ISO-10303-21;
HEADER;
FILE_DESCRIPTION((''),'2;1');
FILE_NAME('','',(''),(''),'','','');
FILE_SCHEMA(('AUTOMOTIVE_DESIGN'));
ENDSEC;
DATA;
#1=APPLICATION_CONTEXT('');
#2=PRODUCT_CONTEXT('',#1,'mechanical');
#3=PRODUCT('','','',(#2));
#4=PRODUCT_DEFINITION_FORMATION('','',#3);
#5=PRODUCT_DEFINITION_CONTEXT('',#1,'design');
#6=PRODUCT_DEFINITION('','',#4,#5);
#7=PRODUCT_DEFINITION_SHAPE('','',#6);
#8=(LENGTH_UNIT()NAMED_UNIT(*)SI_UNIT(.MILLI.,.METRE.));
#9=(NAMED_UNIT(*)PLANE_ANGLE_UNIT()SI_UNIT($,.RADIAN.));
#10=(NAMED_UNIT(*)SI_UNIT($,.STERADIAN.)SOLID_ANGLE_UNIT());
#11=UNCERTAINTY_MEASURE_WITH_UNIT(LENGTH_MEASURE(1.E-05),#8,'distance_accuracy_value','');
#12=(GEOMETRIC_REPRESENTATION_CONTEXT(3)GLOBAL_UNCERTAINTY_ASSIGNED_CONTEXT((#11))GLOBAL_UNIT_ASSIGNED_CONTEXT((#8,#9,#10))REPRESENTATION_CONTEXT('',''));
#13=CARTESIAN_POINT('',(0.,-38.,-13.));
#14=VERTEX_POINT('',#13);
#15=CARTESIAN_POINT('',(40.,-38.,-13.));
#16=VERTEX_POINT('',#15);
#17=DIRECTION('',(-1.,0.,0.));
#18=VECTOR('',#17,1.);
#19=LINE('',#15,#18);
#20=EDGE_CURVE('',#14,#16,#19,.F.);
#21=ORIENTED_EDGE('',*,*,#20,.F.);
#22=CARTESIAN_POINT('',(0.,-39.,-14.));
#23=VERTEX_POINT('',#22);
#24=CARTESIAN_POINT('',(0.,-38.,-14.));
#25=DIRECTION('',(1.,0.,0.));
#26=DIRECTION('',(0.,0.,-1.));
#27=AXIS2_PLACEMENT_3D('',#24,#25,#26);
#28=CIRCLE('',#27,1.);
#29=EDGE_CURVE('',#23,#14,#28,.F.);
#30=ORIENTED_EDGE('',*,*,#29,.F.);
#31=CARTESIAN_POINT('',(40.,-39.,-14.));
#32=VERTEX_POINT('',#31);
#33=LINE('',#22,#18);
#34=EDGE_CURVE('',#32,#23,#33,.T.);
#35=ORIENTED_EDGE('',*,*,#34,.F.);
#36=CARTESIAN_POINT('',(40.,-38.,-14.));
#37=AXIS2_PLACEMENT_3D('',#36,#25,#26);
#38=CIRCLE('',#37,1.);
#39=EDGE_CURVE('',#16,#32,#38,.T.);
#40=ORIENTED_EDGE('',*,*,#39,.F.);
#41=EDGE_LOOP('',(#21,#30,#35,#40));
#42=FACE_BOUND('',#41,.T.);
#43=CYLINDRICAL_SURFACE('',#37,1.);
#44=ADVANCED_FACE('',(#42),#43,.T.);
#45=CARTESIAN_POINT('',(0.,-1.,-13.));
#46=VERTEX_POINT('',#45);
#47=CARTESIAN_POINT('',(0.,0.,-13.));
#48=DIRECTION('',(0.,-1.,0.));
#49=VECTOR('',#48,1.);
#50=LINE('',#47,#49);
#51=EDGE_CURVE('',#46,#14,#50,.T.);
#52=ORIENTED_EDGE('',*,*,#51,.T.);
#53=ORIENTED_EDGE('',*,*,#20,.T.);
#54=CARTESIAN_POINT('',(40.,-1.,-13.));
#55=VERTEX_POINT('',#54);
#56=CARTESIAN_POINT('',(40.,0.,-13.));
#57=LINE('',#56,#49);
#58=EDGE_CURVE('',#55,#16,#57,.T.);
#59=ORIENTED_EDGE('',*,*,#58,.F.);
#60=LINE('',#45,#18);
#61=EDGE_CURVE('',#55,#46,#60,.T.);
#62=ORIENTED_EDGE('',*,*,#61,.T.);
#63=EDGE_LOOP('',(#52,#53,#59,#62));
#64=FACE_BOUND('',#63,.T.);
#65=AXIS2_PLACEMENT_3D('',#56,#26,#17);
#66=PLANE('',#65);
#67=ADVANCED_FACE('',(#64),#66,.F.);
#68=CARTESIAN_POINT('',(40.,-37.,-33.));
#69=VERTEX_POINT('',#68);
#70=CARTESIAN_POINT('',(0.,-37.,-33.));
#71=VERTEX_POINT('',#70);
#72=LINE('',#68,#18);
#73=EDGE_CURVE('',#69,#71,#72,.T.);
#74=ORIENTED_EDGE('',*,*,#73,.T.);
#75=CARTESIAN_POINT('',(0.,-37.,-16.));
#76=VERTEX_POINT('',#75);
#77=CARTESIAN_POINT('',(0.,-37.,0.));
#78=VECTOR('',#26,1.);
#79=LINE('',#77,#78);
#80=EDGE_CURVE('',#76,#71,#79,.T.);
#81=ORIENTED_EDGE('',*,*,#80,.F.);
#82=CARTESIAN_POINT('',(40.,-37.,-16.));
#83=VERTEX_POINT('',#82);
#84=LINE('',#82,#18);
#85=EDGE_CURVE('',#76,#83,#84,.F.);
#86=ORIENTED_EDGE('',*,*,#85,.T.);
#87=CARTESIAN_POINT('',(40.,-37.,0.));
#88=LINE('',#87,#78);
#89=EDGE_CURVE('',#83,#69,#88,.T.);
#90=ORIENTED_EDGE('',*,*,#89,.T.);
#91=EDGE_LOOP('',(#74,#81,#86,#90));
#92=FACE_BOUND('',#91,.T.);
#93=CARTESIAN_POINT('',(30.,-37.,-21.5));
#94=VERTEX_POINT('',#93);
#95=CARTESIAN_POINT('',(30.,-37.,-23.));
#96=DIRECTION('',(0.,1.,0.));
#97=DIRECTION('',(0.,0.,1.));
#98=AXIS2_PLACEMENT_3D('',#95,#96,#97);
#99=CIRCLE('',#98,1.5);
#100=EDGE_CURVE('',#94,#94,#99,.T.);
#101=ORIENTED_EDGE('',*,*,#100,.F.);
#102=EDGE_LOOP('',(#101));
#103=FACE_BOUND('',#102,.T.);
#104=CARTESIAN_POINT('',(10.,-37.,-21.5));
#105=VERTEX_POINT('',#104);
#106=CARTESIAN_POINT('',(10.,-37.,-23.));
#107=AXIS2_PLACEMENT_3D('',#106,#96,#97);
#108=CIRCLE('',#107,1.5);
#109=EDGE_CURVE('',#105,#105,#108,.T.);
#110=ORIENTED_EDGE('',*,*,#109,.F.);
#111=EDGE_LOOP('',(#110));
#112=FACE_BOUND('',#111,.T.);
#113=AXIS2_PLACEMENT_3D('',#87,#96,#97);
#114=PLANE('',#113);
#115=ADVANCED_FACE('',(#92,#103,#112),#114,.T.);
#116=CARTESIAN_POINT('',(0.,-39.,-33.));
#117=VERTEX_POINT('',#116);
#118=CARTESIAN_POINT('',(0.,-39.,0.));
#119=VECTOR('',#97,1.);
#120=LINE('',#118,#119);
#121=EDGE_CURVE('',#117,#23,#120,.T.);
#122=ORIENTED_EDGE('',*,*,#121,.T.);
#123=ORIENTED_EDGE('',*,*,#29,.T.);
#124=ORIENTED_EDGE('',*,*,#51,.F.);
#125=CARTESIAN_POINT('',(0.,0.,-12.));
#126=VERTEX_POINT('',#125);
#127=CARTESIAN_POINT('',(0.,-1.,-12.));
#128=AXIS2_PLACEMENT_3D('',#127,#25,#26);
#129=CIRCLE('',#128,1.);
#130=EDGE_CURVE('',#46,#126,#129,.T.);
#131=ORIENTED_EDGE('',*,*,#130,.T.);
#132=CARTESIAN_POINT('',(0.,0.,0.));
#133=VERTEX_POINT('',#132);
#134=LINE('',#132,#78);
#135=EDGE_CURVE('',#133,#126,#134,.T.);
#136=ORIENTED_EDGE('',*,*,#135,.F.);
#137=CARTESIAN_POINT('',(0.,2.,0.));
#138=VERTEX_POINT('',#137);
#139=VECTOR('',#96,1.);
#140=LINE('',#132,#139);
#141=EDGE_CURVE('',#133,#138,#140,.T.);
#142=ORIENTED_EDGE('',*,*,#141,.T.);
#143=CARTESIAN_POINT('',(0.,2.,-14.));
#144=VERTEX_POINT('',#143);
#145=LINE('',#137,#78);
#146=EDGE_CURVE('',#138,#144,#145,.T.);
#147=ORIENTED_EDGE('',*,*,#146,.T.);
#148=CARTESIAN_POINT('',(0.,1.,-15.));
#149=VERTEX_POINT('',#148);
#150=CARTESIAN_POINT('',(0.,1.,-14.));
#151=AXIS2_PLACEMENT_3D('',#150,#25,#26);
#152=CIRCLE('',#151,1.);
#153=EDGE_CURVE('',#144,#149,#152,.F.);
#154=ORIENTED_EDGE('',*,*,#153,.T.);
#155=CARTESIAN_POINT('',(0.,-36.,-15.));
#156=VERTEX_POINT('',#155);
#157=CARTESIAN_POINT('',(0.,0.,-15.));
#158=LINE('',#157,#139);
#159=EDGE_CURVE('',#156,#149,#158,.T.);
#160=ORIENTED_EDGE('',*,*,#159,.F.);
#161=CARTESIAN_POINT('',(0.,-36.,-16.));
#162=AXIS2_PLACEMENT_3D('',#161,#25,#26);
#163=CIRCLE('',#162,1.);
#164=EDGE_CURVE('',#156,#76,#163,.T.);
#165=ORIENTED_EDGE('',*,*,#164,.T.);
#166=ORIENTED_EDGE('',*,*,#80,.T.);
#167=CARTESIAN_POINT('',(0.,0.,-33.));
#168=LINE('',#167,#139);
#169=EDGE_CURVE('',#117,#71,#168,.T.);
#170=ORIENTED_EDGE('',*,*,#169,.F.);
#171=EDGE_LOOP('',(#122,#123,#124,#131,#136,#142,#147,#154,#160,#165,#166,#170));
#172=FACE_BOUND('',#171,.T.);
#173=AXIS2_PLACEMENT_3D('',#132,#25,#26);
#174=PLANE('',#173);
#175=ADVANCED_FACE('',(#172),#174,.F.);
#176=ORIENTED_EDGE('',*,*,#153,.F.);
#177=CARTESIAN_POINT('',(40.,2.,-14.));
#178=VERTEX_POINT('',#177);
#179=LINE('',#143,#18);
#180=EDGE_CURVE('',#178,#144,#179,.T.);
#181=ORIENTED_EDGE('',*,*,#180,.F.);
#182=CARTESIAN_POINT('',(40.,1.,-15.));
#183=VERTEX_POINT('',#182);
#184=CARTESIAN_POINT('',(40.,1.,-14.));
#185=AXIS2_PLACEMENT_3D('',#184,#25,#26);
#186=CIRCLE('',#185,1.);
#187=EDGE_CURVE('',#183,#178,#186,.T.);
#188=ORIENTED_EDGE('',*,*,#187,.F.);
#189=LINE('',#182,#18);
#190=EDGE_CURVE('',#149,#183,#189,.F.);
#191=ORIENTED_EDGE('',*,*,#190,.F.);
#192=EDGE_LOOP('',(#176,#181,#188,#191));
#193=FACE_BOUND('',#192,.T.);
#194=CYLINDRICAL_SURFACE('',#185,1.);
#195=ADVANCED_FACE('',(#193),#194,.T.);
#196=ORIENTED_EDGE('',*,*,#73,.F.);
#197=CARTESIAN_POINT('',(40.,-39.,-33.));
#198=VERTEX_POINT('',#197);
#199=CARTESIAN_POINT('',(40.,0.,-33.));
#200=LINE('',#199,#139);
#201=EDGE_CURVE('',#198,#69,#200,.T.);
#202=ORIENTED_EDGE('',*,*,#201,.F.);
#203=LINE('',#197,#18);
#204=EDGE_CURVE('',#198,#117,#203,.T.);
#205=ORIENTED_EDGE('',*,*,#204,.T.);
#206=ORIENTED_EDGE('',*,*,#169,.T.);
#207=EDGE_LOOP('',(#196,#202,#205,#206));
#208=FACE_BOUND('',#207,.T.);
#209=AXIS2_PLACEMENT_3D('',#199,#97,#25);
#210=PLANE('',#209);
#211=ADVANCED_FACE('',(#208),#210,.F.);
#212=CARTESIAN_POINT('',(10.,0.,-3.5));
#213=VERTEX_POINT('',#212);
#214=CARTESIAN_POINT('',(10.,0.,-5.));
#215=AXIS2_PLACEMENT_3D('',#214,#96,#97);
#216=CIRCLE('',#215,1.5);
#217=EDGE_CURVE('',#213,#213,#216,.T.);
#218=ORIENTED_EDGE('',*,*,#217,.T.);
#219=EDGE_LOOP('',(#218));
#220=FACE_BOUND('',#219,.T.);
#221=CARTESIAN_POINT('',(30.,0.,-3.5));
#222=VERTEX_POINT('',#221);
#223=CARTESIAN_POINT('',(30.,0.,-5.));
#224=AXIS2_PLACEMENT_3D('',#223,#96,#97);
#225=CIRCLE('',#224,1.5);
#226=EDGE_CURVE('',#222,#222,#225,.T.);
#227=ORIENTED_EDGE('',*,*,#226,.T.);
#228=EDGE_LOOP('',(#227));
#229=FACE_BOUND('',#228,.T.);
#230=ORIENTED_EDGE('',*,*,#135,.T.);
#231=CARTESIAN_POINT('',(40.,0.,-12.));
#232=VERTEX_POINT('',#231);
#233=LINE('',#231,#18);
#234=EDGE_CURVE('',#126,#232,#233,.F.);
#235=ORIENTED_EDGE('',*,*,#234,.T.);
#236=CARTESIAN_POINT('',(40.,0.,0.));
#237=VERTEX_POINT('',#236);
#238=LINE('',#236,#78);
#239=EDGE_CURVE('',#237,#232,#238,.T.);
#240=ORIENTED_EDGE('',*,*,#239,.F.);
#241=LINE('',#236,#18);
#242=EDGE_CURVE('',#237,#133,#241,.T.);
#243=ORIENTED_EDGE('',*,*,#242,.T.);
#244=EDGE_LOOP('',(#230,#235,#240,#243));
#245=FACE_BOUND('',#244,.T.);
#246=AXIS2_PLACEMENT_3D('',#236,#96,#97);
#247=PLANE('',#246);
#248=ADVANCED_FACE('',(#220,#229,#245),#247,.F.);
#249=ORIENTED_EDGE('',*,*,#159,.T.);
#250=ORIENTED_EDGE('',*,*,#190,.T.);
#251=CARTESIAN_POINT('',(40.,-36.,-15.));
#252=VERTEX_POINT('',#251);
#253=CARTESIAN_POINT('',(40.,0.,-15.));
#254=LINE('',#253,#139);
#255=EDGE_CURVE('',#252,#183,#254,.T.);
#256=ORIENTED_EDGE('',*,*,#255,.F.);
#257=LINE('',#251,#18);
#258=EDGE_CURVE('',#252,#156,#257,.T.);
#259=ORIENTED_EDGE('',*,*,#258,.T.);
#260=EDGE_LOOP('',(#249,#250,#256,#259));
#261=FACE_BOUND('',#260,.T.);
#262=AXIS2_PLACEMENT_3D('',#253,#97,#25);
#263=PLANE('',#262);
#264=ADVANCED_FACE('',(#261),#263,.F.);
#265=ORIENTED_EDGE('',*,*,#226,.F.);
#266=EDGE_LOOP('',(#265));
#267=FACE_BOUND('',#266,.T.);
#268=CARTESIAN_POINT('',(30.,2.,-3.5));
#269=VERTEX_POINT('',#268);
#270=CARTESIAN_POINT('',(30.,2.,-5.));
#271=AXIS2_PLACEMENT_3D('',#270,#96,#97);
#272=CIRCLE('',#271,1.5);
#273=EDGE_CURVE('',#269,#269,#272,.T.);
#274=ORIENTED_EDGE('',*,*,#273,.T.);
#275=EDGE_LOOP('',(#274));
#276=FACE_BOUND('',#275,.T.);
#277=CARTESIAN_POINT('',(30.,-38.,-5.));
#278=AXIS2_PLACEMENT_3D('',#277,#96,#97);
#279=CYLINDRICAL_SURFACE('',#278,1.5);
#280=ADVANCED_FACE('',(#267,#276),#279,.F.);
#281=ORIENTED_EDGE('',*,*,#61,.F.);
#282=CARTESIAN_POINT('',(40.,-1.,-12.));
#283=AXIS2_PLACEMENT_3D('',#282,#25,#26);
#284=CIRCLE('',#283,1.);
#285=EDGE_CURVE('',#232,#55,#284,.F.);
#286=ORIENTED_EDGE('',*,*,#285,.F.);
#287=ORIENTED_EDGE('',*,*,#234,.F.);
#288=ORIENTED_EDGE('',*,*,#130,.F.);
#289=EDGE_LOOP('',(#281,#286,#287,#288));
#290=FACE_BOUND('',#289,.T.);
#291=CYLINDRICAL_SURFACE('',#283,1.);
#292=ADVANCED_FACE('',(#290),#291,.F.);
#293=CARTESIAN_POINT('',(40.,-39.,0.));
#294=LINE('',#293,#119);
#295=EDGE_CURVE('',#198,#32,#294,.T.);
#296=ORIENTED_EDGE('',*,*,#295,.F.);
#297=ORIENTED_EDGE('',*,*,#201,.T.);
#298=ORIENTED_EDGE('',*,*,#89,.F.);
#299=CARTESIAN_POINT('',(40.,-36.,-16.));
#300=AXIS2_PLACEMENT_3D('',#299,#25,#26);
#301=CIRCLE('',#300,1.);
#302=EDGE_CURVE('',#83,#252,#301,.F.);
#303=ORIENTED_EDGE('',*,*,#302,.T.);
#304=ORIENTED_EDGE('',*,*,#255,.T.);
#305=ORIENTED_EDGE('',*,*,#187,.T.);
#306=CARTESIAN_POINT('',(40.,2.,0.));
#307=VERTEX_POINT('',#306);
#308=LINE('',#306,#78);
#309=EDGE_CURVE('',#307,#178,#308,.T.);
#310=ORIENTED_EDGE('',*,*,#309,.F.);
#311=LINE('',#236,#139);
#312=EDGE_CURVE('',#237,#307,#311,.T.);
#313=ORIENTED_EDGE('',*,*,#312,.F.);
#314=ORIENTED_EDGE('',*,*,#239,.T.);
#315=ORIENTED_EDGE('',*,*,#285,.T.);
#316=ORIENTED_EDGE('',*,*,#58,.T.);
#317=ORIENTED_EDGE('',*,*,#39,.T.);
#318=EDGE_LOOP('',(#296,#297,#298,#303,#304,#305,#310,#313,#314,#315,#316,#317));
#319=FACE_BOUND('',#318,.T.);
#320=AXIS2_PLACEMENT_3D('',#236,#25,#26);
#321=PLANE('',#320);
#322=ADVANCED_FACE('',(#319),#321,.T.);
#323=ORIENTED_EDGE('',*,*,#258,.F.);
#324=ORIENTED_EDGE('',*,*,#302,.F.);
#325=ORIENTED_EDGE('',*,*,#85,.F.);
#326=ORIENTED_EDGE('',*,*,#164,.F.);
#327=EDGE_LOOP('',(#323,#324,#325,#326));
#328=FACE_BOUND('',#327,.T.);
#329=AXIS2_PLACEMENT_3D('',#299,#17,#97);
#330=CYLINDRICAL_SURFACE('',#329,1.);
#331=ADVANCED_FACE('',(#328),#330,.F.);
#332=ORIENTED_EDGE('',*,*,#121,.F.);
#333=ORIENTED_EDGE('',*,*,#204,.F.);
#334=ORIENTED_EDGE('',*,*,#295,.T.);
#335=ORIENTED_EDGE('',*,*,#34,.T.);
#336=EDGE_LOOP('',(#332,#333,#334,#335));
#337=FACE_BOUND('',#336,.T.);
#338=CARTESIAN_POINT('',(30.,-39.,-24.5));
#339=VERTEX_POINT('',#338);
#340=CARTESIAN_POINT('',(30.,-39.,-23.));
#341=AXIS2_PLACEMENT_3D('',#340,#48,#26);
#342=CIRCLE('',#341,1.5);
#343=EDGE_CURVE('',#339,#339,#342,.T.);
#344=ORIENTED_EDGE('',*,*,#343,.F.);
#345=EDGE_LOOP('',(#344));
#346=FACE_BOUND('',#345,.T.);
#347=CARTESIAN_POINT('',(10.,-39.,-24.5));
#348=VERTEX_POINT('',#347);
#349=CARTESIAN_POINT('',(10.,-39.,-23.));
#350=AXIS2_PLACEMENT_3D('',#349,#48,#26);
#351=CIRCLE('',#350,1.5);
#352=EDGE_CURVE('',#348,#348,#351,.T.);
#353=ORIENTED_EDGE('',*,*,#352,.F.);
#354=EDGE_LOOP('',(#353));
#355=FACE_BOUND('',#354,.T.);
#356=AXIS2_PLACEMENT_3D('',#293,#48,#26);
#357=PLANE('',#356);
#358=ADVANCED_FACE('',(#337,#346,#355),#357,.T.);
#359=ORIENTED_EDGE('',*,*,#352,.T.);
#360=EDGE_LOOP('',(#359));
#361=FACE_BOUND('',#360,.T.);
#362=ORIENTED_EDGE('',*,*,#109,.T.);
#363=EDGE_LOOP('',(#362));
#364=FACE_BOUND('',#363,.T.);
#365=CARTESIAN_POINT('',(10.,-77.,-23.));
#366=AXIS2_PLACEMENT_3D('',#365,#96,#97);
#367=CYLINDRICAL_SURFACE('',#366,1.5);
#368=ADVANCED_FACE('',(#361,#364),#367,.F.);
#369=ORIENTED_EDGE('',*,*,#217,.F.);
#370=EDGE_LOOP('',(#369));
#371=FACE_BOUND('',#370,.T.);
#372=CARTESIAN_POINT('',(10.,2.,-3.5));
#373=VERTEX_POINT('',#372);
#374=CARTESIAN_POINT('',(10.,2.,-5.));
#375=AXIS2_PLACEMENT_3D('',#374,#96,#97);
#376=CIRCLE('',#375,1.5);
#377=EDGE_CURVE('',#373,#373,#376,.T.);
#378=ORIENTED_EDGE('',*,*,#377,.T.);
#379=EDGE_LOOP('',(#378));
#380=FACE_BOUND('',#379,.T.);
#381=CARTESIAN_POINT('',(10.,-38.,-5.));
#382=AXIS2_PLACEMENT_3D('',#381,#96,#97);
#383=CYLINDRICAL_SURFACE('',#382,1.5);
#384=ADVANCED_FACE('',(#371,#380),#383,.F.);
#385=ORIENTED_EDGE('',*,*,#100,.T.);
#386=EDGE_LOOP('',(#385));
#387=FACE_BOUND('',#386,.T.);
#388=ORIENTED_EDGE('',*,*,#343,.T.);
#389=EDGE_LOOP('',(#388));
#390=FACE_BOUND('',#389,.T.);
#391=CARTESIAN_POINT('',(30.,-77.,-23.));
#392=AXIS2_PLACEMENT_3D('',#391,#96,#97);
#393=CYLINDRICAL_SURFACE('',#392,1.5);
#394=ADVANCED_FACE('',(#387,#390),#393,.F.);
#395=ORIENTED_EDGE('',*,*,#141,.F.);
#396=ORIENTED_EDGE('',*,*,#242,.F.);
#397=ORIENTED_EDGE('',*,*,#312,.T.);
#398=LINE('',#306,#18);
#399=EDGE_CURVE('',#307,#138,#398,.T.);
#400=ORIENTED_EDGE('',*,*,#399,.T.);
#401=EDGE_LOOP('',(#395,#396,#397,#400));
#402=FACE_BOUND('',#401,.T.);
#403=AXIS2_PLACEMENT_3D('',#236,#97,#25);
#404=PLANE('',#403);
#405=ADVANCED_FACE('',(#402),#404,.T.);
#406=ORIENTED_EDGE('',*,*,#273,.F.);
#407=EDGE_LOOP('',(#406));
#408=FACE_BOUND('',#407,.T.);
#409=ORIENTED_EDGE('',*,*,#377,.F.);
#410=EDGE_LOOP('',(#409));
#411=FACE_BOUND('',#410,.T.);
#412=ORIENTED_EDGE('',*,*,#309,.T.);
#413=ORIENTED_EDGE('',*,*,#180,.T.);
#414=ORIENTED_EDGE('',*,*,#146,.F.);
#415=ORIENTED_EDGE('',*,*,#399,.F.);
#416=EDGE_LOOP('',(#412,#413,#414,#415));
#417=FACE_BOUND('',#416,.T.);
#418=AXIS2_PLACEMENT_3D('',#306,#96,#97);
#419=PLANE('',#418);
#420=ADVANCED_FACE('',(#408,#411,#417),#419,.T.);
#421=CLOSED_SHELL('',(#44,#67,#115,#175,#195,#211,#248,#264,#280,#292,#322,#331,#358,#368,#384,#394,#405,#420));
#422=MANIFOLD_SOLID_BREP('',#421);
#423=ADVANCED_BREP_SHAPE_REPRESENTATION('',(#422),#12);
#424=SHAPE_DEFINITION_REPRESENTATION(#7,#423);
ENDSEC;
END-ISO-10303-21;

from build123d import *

# Parameters (mm, degrees)
SKETCH1_W           = 13
SKETCH1_H           = 2
SKETCH1_W_2         = 2
SKETCH1_H_2         = 37
SKETCH1_W_3         = 18
BOSS_EXTRUDE1_DEPTH = 40
SKETCH2_R           = 1.5
CUT_EXTRUDE1_DEPTH  = 40
FILLET1_R           = 1
SKETCH4_R           = 1.5
CUT_EXTRUDE2_DEPTH  = 40


with BuildPart() as part:
    # Sketch1 → Boss-Extrude1 (new body)
    with BuildSketch(Plane(origin=(0, 0, 0), x_dir=(0, 0, -1), z_dir=(1, 0, 0))):
        with Locations((6.5, 1)):
            Rectangle(SKETCH1_W, SKETCH1_H)
        with Locations((14, 1)):
            Rectangle(SKETCH1_W_2, SKETCH1_H)
        with Locations((14, -18.5)):
            Rectangle(SKETCH1_W_2, SKETCH1_H_2)
        with Locations((24, -38)):
            Rectangle(SKETCH1_W_3, SKETCH1_H)
        with Locations((14, -38)):
            Rectangle(SKETCH1_W_2, SKETCH1_H)
    extrude(amount=BOSS_EXTRUDE1_DEPTH)

    # Sketch2 → Cut-Extrude1 (cut)
    with BuildSketch(Plane(origin=(0, 2, 0), x_dir=(1, 0, 0), z_dir=(0, 1, 0))):
        with Locations(Location((10, 5, 0), (0, 0, 270))):
            Circle(SKETCH2_R)
        with Locations(Location((30, 5, 0), (0, 0, 270))):
            Circle(SKETCH2_R)
    extrude(amount=-CUT_EXTRUDE1_DEPTH, mode=Mode.SUBTRACT)

    # Fillet1
    fillet1_edges = [part.edges().sort_by_distance(p)[0] for p in [
        (20, 2, -15),
        (20, -37, -15),
        (20, -39, -13),
        (20, 0, -13),
    ]]
    fillet(fillet1_edges, radius=FILLET1_R)

    # Sketch4 → Cut-Extrude2 (cut)
    with BuildSketch(Plane(origin=(0, -37, 0), x_dir=(1, 0, 0), z_dir=(0, 1, 0))):
        with Locations(Location((30, 23, 0), (0, 0, 270))):
            Circle(SKETCH4_R)
        with Locations(Location((10, 23, 0), (0, 0, 270))):
            Circle(SKETCH4_R)
    extrude(amount=-CUT_EXTRUDE2_DEPTH, mode=Mode.SUBTRACT)


solid = part.part
